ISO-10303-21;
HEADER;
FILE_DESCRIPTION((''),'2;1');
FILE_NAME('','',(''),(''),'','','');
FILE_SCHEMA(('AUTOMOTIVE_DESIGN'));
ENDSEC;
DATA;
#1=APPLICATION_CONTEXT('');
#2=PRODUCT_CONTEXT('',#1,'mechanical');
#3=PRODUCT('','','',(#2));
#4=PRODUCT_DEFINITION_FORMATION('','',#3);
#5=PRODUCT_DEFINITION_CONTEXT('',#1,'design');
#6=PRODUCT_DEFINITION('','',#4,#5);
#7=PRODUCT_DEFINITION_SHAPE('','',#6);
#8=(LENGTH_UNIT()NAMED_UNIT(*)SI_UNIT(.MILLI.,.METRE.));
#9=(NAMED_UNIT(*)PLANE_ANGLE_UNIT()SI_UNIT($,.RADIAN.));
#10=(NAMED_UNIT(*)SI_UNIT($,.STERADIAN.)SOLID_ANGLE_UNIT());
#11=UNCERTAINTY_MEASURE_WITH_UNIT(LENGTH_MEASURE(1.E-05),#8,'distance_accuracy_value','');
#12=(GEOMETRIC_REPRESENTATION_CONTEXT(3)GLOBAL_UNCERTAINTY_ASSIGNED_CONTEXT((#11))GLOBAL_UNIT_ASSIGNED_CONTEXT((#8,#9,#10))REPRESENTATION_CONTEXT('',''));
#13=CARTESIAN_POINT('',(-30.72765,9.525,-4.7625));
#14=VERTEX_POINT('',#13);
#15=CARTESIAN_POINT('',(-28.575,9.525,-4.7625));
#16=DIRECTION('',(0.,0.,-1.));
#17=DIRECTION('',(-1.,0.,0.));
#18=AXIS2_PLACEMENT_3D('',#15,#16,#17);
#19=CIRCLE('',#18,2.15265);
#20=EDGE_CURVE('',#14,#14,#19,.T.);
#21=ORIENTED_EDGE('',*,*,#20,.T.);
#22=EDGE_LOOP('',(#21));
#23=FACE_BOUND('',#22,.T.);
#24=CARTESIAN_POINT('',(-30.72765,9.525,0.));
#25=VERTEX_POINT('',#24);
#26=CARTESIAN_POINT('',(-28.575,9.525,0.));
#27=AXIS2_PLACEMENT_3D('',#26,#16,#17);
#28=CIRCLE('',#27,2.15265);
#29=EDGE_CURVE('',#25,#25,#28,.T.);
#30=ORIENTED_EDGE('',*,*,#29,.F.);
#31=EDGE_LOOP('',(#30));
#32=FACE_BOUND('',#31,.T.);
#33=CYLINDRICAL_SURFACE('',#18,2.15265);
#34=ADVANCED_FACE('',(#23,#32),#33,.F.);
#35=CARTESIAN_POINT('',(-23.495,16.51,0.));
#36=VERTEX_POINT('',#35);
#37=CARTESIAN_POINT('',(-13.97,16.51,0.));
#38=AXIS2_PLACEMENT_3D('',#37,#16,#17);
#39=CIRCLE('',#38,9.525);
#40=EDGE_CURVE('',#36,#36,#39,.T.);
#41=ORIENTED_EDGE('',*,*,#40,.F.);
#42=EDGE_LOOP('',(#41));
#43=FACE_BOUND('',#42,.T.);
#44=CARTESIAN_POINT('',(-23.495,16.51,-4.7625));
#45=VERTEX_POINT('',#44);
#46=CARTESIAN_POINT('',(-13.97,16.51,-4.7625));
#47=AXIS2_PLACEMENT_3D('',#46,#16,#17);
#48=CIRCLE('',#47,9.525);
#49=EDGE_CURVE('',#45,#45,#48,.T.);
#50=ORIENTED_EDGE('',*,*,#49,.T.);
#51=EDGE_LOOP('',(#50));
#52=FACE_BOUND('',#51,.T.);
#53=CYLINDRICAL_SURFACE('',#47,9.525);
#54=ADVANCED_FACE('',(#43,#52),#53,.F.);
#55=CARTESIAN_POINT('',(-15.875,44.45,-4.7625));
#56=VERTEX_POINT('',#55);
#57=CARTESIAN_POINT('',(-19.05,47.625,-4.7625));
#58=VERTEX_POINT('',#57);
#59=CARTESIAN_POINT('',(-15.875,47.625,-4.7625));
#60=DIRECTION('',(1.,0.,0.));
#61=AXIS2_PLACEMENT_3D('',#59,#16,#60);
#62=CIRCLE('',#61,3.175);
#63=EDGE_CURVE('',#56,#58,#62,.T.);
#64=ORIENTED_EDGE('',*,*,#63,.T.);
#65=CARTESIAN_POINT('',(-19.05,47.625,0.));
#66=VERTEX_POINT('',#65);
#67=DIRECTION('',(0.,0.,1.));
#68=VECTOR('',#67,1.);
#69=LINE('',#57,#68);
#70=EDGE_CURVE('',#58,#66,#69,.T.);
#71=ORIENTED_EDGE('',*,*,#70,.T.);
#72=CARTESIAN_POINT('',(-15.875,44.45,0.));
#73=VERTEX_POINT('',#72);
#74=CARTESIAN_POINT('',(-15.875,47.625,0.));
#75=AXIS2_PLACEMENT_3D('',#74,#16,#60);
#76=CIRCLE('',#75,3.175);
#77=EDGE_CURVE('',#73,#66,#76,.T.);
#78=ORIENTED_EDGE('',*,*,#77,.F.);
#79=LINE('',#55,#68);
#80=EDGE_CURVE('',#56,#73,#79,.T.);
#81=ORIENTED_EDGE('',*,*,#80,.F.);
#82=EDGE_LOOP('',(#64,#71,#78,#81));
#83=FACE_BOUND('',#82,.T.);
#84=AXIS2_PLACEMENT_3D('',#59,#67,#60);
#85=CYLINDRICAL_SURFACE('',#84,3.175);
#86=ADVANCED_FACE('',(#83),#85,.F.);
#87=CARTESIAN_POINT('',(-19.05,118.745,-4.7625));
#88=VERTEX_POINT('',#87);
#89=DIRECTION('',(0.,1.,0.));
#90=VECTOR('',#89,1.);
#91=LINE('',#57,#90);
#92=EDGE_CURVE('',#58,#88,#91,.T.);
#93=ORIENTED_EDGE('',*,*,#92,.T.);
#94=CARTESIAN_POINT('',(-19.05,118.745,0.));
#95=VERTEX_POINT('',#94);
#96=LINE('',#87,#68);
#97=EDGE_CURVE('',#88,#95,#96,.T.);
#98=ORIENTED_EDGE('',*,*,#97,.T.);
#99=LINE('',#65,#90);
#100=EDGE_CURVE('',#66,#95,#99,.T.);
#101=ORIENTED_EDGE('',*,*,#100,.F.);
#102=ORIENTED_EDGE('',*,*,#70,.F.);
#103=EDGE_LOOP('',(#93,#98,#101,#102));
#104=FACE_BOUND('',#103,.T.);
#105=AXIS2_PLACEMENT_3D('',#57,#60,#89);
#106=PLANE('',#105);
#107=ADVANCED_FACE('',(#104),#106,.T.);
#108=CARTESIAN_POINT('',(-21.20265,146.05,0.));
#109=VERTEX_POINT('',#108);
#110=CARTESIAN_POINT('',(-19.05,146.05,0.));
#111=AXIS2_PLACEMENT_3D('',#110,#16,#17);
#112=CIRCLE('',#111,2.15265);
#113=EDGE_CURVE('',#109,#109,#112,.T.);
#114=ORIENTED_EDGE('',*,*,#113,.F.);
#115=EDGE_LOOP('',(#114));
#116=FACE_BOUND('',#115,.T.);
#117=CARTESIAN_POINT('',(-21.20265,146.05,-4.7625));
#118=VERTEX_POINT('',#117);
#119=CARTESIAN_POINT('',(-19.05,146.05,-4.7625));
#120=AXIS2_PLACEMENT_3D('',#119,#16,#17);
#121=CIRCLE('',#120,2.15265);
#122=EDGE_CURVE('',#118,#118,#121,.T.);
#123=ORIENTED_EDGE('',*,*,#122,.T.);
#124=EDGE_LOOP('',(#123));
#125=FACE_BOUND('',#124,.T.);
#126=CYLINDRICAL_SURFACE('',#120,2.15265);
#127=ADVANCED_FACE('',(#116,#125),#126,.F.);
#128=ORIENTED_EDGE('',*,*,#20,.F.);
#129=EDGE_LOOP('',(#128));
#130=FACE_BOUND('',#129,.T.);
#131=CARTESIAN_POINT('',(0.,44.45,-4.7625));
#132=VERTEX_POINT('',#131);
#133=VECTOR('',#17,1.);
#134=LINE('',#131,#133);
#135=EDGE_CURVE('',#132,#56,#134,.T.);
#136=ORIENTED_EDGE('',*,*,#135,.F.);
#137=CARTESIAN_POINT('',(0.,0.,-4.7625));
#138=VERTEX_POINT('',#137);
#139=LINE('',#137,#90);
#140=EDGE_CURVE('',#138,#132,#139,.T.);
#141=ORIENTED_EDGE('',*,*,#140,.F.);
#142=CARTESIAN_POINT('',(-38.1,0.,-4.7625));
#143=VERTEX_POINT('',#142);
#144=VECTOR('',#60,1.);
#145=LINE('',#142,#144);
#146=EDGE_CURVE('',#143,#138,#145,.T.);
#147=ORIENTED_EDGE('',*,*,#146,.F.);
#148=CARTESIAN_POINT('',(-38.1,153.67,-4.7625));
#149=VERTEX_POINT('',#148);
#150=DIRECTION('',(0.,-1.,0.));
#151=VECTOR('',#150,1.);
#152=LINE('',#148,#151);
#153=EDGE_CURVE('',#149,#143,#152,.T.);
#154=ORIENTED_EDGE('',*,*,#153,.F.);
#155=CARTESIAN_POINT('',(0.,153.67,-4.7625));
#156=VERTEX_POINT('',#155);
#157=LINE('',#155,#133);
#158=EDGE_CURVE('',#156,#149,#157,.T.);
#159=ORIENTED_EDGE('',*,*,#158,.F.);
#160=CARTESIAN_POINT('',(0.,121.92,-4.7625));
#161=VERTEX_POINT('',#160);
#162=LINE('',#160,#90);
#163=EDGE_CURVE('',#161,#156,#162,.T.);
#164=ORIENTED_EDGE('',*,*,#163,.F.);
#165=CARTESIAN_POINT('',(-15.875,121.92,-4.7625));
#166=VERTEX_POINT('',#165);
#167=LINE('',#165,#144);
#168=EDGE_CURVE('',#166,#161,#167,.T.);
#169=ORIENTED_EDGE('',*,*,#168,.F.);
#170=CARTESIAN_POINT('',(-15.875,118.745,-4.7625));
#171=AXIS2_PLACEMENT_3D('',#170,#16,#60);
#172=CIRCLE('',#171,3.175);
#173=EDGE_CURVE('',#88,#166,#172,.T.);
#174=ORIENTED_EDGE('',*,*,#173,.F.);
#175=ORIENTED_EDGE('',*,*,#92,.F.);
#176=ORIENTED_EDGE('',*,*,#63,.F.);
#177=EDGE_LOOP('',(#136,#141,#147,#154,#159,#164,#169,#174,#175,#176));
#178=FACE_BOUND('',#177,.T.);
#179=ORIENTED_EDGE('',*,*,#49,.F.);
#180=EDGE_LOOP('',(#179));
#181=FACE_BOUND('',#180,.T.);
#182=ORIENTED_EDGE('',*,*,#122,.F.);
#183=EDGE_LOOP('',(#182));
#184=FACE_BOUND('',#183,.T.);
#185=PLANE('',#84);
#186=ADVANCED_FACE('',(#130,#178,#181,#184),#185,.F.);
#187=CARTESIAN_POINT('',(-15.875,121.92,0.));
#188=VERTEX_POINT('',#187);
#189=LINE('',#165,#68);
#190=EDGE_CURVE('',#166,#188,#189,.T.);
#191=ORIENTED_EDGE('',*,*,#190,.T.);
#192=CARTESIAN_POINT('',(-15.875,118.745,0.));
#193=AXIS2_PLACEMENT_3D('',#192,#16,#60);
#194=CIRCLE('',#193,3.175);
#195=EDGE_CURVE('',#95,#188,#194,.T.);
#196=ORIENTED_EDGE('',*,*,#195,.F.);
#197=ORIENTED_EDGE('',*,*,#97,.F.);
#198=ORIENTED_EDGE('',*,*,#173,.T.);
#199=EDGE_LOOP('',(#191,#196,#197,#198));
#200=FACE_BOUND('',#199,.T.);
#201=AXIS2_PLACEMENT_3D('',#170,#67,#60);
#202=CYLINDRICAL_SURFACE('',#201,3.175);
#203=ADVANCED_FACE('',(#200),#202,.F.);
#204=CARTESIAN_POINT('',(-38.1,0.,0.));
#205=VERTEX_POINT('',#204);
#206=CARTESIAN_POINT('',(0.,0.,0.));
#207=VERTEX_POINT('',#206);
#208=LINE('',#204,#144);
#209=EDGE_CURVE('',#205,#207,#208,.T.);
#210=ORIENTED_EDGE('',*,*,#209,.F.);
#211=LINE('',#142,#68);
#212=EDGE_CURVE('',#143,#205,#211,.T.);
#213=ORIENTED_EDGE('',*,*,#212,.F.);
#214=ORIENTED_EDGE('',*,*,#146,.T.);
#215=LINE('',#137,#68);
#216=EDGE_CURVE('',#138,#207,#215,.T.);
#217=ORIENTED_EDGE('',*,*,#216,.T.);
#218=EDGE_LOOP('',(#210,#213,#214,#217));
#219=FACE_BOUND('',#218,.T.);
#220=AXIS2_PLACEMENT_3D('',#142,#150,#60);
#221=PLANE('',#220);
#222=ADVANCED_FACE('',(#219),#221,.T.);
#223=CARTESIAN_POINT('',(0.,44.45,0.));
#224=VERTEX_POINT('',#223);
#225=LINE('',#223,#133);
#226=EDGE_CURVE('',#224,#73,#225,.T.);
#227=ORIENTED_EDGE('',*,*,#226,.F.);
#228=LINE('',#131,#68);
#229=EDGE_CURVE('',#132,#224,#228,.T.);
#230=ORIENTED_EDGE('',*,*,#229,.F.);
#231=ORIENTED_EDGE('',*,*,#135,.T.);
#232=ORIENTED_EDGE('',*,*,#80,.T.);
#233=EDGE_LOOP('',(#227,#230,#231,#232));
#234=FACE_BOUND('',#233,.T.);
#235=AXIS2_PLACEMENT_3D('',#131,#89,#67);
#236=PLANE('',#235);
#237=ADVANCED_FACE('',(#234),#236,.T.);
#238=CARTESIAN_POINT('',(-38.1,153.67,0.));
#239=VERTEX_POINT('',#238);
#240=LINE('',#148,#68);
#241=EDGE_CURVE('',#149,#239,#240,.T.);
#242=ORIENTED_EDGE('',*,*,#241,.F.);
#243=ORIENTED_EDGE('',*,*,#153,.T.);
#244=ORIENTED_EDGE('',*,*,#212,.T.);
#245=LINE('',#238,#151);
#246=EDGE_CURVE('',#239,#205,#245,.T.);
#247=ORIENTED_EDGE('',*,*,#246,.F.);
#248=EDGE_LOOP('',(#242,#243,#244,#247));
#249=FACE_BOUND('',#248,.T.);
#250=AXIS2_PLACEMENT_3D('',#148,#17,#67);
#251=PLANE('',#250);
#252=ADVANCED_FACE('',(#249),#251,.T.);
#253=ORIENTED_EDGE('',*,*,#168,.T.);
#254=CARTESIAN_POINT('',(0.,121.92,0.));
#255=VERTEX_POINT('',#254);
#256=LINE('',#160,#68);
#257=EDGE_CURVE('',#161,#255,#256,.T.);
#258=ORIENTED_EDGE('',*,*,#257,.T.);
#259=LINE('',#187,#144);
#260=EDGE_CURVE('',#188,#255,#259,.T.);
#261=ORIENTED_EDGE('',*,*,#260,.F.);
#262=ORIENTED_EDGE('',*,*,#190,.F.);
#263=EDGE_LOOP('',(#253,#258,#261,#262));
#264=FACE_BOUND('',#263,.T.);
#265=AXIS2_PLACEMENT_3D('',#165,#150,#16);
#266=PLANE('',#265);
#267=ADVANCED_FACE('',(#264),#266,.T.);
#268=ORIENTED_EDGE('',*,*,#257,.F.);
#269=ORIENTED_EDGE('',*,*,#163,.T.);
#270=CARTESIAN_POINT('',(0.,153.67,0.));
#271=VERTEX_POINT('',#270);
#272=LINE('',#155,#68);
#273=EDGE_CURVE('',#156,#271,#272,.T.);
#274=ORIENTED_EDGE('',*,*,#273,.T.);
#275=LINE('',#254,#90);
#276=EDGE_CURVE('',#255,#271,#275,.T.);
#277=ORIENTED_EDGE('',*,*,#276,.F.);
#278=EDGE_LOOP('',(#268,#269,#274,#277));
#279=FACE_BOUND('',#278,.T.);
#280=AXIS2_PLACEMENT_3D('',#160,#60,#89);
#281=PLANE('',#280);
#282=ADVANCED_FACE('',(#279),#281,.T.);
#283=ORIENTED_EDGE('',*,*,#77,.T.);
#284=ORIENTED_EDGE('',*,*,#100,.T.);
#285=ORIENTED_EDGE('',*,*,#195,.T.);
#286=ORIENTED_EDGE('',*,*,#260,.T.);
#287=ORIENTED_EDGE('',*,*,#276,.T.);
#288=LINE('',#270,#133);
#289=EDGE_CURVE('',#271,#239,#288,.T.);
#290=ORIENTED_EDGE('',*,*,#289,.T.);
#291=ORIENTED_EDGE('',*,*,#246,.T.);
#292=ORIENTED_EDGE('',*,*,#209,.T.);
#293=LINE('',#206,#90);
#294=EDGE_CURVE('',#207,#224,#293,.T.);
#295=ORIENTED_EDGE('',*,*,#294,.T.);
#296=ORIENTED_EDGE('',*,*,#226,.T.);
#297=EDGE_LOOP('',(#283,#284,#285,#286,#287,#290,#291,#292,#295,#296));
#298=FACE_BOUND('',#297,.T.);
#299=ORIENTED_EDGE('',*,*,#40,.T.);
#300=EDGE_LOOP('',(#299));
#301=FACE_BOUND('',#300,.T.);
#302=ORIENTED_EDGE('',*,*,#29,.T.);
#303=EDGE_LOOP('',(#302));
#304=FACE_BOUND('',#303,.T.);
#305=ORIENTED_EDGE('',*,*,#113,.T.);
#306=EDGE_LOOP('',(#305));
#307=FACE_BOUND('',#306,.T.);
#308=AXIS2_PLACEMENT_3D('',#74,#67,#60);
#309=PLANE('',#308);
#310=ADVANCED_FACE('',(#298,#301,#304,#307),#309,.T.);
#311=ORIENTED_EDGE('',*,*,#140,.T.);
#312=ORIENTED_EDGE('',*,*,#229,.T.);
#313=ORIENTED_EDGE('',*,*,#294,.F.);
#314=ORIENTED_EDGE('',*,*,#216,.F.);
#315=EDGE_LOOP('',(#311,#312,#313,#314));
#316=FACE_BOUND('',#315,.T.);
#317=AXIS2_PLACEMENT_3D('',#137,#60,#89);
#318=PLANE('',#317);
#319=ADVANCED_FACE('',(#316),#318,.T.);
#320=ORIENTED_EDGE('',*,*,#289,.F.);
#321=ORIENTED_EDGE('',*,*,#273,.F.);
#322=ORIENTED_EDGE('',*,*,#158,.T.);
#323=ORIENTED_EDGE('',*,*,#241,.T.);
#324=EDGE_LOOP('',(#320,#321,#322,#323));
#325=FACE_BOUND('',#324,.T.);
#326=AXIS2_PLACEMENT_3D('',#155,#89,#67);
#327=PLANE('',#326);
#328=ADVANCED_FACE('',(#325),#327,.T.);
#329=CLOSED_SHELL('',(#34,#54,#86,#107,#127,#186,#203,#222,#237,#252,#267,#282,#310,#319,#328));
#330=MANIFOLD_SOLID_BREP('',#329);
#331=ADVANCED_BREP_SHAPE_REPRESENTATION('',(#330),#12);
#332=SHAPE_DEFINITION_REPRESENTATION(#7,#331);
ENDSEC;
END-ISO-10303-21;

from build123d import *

# Parameters (mm, degrees)
BOSS_EXTRUDE1_DEPTH         = 4.7625
F_6_CLEARANCE_HOLE1_D       = 4.3053
F_3_4_0_75_DIAMETER_HOLE1_D = 19.05


with BuildPart() as part:
    # Sketch1 → Boss-Extrude1 (new body)
    with BuildSketch(Plane.XY):
        with BuildLine():
            Line((0, 44.45), (-15.875, 44.45))
            ThreePointArc((-15.875, 44.45), (-18.12006403, 45.37993597), (-19.05, 47.625))
            Line((-19.05, 47.625), (-19.05, 118.745))
            ThreePointArc((-19.05, 118.745), (-18.12006403, 120.99006403), (-15.875, 121.92))
            Line((-15.875, 121.92), (0, 121.92))
            Line((0, 121.92), (0, 153.67))
            Line((0, 153.67), (-38.1, 153.67))
            Line((-38.1, 153.67), (-38.1, 0))
            Line((-38.1, 0), (0, 0))
            Line((0, 0), (0, 44.45))
        make_face()
    extrude(amount=-BOSS_EXTRUDE1_DEPTH)

    # #6 Clearance Hole1 (through all)
    with Locations(Plane(origin=(0, 0, -4.7625), x_dir=(-1, 0, 0), z_dir=(0, 0, -1))):
        with Locations((28.575, 9.525), (19.05, 146.05)):
            Hole(F_6_CLEARANCE_HOLE1_D / 2)

    # 3/4 (0.75) Diameter Hole1 (through all)
    with Locations(Plane(origin=(0, 0, -4.7625), x_dir=(-1, 0, 0), z_dir=(0, 0, -1))):
        with Locations((13.97, 16.51)):
            Hole(F_3_4_0_75_DIAMETER_HOLE1_D / 2)


solid = part.part
